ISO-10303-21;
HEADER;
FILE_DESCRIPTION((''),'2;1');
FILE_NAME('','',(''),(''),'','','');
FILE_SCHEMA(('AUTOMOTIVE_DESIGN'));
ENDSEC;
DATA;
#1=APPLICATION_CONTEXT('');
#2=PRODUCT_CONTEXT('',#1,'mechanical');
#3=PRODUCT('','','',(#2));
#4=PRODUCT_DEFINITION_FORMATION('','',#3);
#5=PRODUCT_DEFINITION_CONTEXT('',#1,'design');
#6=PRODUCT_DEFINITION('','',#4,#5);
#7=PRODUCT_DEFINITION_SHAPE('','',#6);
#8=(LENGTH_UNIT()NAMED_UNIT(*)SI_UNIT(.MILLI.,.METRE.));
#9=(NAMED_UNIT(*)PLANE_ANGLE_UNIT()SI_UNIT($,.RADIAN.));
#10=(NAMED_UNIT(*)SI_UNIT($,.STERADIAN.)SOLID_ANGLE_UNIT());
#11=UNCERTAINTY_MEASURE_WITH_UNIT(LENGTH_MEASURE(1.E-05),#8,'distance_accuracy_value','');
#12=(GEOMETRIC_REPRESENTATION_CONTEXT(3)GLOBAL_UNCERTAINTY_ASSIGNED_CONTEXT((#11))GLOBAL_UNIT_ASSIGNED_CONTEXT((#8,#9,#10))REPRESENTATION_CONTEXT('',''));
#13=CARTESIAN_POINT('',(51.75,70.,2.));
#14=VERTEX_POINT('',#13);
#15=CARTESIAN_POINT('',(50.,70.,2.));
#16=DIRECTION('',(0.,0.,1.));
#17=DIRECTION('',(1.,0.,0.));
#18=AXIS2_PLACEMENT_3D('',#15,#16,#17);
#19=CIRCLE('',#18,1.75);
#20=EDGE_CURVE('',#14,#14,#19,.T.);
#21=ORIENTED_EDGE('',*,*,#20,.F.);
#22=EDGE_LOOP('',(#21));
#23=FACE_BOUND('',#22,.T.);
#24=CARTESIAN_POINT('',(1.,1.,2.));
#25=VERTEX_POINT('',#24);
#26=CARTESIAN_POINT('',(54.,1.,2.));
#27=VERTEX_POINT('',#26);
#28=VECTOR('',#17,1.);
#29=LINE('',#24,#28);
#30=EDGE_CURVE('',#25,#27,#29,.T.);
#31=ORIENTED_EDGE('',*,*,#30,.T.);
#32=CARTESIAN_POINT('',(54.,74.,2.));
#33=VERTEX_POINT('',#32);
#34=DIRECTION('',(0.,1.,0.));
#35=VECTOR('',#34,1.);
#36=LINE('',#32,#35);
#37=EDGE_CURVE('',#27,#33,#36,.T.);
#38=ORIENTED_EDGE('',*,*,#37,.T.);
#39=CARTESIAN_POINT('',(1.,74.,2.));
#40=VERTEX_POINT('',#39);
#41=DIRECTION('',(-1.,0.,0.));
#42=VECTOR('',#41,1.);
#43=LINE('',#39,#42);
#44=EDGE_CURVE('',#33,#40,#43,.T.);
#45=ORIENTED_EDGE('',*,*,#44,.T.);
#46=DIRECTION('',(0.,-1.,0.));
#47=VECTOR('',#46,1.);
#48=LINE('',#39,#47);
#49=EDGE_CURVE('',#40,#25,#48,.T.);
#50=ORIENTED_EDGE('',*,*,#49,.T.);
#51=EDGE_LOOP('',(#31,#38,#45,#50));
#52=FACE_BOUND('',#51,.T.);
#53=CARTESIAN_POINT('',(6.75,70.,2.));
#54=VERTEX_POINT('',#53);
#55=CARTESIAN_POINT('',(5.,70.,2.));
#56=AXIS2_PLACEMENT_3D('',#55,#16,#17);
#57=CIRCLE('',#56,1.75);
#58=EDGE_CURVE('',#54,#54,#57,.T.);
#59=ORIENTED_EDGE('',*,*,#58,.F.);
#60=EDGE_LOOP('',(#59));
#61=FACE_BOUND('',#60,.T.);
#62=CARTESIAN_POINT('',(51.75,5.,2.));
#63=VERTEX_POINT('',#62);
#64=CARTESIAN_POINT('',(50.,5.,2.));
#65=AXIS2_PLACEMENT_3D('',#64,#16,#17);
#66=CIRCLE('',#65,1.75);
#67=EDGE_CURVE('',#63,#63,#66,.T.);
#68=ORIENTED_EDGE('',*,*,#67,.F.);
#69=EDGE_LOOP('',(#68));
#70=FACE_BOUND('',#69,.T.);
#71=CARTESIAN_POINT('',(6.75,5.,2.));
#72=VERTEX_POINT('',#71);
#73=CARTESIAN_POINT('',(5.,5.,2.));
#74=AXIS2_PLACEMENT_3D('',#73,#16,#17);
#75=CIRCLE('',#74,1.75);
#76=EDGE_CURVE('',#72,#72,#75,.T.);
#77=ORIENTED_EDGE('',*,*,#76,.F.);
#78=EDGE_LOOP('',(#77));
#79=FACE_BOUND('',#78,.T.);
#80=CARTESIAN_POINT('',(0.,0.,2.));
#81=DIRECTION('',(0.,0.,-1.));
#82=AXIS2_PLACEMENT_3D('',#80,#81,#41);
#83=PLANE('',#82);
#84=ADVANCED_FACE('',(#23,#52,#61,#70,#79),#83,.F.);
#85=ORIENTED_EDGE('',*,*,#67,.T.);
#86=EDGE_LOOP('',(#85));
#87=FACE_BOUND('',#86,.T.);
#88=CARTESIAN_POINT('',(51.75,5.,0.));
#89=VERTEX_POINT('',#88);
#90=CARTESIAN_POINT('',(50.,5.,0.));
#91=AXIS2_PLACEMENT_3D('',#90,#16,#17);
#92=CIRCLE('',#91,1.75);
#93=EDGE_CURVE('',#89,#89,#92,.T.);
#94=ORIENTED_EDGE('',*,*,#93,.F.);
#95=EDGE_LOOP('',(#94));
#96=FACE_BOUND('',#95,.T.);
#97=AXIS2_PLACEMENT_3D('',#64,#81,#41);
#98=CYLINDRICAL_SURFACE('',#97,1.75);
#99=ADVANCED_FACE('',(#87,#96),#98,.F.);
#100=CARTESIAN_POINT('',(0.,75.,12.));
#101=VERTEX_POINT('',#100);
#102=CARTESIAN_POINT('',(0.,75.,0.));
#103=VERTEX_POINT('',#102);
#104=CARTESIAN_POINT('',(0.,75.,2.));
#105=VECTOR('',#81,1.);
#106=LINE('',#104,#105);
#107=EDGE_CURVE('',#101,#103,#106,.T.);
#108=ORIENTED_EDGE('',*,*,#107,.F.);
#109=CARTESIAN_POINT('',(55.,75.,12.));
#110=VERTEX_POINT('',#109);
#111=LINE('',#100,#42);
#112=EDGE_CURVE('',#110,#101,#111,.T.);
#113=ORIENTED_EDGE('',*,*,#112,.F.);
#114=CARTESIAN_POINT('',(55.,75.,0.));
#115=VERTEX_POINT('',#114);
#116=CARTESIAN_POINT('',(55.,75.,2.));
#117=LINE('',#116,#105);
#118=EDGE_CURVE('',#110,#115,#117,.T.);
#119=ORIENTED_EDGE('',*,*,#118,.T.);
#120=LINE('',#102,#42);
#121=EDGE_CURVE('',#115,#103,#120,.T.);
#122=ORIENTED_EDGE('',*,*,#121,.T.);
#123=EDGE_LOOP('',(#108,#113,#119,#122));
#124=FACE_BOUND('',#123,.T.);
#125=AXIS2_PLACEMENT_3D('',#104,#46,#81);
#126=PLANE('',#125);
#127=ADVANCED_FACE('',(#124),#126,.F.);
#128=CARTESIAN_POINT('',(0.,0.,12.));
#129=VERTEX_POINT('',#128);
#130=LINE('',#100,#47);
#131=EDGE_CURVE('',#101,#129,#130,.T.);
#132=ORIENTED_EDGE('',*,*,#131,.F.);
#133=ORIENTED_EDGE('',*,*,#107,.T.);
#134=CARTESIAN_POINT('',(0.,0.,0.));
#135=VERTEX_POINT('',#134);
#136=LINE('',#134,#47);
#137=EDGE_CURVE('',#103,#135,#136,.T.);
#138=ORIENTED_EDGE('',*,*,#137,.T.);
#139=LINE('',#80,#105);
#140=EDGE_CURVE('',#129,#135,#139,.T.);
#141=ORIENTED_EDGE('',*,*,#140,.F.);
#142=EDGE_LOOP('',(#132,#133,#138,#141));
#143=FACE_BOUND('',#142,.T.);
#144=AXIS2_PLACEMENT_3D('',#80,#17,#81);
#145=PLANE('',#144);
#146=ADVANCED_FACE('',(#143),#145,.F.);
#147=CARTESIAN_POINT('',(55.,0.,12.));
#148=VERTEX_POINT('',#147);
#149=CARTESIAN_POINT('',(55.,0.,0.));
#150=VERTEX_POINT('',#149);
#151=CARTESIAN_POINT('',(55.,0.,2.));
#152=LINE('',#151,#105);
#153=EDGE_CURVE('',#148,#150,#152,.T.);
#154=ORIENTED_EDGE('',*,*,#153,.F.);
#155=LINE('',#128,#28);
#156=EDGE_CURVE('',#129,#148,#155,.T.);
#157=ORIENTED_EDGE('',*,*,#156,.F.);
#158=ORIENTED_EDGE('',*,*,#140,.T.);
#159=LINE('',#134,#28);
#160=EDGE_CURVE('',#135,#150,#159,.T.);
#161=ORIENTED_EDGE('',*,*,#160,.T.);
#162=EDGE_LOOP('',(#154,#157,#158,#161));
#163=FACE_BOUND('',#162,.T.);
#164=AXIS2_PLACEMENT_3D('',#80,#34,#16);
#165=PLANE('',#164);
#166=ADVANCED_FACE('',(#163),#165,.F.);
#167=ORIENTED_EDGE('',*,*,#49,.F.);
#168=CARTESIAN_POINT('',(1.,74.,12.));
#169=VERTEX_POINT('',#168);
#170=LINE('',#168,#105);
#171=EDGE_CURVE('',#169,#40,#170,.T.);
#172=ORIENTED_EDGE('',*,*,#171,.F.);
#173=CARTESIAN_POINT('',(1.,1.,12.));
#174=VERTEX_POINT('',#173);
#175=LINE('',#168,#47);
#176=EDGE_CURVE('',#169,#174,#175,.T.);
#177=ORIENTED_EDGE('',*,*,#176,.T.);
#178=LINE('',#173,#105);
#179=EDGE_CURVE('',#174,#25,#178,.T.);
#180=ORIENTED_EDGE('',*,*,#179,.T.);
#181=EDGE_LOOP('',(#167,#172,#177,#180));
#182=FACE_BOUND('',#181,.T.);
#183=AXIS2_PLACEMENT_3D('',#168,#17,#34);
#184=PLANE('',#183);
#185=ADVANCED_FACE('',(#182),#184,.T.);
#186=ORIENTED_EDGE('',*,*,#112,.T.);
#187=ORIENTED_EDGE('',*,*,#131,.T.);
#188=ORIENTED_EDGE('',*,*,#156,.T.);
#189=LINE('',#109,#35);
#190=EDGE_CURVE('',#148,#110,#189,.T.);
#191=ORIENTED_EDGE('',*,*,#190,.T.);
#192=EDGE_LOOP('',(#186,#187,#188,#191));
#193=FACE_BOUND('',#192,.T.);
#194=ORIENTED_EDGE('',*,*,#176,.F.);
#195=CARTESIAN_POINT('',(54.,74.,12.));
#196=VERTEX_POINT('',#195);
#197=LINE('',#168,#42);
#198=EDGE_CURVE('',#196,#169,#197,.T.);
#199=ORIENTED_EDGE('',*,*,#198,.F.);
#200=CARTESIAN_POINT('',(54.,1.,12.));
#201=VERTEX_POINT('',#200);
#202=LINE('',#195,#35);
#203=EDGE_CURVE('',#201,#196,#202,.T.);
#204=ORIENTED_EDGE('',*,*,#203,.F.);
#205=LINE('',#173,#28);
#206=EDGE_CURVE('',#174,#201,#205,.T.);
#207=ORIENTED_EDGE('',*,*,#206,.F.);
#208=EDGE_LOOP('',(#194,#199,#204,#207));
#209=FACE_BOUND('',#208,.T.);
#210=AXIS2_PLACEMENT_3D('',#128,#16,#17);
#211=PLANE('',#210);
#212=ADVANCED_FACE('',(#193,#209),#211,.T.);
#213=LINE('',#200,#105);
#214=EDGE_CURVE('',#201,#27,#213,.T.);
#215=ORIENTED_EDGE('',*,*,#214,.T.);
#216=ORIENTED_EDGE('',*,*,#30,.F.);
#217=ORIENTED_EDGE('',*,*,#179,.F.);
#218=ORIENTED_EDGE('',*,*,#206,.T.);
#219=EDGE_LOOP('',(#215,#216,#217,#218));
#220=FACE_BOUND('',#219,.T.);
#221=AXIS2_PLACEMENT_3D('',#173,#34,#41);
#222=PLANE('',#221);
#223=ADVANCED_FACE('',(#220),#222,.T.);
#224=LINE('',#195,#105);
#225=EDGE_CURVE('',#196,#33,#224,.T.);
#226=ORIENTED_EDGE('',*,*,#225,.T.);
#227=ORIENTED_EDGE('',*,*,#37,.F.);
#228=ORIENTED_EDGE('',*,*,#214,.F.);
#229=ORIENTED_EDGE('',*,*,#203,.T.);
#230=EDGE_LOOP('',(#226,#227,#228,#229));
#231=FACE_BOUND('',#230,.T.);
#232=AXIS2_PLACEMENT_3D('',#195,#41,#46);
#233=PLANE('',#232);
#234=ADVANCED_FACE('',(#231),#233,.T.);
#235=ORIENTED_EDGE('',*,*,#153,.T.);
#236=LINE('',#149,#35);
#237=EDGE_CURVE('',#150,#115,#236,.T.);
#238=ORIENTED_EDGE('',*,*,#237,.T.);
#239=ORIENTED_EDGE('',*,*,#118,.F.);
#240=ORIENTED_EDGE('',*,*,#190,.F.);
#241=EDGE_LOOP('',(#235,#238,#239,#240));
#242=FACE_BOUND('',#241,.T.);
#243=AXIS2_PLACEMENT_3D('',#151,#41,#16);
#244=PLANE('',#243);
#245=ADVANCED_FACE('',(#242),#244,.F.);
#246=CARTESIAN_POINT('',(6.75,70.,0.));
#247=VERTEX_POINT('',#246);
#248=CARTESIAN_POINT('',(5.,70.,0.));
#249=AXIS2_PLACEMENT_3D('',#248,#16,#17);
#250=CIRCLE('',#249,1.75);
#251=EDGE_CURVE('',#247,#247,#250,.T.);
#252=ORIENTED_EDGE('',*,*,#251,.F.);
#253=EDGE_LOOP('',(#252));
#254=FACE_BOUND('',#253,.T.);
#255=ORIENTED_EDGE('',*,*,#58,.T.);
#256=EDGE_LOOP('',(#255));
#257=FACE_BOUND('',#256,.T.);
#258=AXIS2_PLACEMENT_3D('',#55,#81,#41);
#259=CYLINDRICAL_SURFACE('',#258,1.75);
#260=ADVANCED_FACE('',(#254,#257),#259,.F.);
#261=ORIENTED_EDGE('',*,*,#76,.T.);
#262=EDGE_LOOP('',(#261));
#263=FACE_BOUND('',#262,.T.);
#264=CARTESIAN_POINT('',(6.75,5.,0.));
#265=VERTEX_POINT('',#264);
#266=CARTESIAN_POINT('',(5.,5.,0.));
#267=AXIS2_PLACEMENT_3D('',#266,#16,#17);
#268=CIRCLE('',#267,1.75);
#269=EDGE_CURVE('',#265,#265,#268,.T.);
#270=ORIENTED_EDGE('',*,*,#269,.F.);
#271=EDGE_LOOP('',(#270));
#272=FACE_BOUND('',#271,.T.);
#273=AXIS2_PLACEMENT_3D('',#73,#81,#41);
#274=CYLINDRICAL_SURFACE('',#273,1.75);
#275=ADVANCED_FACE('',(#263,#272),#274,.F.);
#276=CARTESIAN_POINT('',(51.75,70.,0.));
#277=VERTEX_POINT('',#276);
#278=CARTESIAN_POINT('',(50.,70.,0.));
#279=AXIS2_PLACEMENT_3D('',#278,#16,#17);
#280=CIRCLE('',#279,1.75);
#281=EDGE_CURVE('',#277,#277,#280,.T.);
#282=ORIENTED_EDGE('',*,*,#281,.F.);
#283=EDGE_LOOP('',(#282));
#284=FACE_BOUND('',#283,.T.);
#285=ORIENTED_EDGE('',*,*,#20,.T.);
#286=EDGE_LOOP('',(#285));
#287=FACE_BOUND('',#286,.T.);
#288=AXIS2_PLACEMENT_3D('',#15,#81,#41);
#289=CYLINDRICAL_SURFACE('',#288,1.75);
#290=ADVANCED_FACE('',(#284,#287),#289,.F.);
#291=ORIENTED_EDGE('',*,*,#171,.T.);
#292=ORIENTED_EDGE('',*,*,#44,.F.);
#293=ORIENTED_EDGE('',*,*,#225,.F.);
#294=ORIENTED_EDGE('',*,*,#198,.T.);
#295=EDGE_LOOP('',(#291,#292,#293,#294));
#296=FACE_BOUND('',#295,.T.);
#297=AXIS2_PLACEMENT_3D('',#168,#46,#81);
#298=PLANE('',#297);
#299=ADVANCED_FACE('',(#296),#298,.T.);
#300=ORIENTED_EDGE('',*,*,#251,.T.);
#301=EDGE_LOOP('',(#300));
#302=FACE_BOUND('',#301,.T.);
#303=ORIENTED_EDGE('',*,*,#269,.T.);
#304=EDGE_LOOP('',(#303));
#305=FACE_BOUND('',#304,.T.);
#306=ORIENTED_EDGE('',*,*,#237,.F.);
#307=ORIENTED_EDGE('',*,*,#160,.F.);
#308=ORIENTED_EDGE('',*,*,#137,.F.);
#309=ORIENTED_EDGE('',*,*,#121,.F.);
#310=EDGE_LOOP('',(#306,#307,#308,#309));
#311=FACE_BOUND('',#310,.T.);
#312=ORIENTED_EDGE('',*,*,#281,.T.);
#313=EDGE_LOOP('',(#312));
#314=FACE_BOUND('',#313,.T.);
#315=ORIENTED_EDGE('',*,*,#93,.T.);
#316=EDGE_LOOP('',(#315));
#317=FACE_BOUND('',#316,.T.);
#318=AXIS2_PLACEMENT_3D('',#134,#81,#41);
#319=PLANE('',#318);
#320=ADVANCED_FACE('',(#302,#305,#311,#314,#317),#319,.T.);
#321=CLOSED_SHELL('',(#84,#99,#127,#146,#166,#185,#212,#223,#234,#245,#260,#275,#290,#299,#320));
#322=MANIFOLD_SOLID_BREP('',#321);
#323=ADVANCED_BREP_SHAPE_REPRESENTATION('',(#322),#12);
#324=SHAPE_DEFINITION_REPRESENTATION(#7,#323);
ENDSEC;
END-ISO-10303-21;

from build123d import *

# Parameters (mm, degrees)
SKETCH_1_W      = 55
SKETCH_1_H      = 75
SKETCH_1_R      = 1.75
EXTRUDE_1_DEPTH = 2
SKETCH_2_W      = 55
SKETCH_2_H      = 75
SKETCH_2_W_2    = 53
SKETCH_2_H_2    = 73
EXTRUDE_2_DEPTH = 10


with BuildPart() as part:
    # Эскиз1 → Бобышка-Вытянуть1 (new body)
    with BuildSketch(Plane.XY):
        with Locations((27.5, 37.5)):
            Rectangle(SKETCH_1_W, SKETCH_1_H)
        with Locations((5, 70)):
            Circle(SKETCH_1_R, mode=Mode.SUBTRACT)
        with Locations((50, 70)):
            Circle(SKETCH_1_R, mode=Mode.SUBTRACT)
        with Locations((5, 5)):
            Circle(SKETCH_1_R, mode=Mode.SUBTRACT)
        with Locations((50, 5)):
            Circle(SKETCH_1_R, mode=Mode.SUBTRACT)
    extrude(amount=EXTRUDE_1_DEPTH)

    # Эскиз2 → Бобышка-Вытянуть2 (add)
    with BuildSketch(Plane.XY.offset(2)):
        with Locations((27.5, 37.5)):
            Rectangle(SKETCH_2_W, SKETCH_2_H)
        with Locations((27.5, 37.5)):
            Rectangle(SKETCH_2_W_2, SKETCH_2_H_2, mode=Mode.SUBTRACT)
    extrude(amount=EXTRUDE_2_DEPTH)


solid = part.part
